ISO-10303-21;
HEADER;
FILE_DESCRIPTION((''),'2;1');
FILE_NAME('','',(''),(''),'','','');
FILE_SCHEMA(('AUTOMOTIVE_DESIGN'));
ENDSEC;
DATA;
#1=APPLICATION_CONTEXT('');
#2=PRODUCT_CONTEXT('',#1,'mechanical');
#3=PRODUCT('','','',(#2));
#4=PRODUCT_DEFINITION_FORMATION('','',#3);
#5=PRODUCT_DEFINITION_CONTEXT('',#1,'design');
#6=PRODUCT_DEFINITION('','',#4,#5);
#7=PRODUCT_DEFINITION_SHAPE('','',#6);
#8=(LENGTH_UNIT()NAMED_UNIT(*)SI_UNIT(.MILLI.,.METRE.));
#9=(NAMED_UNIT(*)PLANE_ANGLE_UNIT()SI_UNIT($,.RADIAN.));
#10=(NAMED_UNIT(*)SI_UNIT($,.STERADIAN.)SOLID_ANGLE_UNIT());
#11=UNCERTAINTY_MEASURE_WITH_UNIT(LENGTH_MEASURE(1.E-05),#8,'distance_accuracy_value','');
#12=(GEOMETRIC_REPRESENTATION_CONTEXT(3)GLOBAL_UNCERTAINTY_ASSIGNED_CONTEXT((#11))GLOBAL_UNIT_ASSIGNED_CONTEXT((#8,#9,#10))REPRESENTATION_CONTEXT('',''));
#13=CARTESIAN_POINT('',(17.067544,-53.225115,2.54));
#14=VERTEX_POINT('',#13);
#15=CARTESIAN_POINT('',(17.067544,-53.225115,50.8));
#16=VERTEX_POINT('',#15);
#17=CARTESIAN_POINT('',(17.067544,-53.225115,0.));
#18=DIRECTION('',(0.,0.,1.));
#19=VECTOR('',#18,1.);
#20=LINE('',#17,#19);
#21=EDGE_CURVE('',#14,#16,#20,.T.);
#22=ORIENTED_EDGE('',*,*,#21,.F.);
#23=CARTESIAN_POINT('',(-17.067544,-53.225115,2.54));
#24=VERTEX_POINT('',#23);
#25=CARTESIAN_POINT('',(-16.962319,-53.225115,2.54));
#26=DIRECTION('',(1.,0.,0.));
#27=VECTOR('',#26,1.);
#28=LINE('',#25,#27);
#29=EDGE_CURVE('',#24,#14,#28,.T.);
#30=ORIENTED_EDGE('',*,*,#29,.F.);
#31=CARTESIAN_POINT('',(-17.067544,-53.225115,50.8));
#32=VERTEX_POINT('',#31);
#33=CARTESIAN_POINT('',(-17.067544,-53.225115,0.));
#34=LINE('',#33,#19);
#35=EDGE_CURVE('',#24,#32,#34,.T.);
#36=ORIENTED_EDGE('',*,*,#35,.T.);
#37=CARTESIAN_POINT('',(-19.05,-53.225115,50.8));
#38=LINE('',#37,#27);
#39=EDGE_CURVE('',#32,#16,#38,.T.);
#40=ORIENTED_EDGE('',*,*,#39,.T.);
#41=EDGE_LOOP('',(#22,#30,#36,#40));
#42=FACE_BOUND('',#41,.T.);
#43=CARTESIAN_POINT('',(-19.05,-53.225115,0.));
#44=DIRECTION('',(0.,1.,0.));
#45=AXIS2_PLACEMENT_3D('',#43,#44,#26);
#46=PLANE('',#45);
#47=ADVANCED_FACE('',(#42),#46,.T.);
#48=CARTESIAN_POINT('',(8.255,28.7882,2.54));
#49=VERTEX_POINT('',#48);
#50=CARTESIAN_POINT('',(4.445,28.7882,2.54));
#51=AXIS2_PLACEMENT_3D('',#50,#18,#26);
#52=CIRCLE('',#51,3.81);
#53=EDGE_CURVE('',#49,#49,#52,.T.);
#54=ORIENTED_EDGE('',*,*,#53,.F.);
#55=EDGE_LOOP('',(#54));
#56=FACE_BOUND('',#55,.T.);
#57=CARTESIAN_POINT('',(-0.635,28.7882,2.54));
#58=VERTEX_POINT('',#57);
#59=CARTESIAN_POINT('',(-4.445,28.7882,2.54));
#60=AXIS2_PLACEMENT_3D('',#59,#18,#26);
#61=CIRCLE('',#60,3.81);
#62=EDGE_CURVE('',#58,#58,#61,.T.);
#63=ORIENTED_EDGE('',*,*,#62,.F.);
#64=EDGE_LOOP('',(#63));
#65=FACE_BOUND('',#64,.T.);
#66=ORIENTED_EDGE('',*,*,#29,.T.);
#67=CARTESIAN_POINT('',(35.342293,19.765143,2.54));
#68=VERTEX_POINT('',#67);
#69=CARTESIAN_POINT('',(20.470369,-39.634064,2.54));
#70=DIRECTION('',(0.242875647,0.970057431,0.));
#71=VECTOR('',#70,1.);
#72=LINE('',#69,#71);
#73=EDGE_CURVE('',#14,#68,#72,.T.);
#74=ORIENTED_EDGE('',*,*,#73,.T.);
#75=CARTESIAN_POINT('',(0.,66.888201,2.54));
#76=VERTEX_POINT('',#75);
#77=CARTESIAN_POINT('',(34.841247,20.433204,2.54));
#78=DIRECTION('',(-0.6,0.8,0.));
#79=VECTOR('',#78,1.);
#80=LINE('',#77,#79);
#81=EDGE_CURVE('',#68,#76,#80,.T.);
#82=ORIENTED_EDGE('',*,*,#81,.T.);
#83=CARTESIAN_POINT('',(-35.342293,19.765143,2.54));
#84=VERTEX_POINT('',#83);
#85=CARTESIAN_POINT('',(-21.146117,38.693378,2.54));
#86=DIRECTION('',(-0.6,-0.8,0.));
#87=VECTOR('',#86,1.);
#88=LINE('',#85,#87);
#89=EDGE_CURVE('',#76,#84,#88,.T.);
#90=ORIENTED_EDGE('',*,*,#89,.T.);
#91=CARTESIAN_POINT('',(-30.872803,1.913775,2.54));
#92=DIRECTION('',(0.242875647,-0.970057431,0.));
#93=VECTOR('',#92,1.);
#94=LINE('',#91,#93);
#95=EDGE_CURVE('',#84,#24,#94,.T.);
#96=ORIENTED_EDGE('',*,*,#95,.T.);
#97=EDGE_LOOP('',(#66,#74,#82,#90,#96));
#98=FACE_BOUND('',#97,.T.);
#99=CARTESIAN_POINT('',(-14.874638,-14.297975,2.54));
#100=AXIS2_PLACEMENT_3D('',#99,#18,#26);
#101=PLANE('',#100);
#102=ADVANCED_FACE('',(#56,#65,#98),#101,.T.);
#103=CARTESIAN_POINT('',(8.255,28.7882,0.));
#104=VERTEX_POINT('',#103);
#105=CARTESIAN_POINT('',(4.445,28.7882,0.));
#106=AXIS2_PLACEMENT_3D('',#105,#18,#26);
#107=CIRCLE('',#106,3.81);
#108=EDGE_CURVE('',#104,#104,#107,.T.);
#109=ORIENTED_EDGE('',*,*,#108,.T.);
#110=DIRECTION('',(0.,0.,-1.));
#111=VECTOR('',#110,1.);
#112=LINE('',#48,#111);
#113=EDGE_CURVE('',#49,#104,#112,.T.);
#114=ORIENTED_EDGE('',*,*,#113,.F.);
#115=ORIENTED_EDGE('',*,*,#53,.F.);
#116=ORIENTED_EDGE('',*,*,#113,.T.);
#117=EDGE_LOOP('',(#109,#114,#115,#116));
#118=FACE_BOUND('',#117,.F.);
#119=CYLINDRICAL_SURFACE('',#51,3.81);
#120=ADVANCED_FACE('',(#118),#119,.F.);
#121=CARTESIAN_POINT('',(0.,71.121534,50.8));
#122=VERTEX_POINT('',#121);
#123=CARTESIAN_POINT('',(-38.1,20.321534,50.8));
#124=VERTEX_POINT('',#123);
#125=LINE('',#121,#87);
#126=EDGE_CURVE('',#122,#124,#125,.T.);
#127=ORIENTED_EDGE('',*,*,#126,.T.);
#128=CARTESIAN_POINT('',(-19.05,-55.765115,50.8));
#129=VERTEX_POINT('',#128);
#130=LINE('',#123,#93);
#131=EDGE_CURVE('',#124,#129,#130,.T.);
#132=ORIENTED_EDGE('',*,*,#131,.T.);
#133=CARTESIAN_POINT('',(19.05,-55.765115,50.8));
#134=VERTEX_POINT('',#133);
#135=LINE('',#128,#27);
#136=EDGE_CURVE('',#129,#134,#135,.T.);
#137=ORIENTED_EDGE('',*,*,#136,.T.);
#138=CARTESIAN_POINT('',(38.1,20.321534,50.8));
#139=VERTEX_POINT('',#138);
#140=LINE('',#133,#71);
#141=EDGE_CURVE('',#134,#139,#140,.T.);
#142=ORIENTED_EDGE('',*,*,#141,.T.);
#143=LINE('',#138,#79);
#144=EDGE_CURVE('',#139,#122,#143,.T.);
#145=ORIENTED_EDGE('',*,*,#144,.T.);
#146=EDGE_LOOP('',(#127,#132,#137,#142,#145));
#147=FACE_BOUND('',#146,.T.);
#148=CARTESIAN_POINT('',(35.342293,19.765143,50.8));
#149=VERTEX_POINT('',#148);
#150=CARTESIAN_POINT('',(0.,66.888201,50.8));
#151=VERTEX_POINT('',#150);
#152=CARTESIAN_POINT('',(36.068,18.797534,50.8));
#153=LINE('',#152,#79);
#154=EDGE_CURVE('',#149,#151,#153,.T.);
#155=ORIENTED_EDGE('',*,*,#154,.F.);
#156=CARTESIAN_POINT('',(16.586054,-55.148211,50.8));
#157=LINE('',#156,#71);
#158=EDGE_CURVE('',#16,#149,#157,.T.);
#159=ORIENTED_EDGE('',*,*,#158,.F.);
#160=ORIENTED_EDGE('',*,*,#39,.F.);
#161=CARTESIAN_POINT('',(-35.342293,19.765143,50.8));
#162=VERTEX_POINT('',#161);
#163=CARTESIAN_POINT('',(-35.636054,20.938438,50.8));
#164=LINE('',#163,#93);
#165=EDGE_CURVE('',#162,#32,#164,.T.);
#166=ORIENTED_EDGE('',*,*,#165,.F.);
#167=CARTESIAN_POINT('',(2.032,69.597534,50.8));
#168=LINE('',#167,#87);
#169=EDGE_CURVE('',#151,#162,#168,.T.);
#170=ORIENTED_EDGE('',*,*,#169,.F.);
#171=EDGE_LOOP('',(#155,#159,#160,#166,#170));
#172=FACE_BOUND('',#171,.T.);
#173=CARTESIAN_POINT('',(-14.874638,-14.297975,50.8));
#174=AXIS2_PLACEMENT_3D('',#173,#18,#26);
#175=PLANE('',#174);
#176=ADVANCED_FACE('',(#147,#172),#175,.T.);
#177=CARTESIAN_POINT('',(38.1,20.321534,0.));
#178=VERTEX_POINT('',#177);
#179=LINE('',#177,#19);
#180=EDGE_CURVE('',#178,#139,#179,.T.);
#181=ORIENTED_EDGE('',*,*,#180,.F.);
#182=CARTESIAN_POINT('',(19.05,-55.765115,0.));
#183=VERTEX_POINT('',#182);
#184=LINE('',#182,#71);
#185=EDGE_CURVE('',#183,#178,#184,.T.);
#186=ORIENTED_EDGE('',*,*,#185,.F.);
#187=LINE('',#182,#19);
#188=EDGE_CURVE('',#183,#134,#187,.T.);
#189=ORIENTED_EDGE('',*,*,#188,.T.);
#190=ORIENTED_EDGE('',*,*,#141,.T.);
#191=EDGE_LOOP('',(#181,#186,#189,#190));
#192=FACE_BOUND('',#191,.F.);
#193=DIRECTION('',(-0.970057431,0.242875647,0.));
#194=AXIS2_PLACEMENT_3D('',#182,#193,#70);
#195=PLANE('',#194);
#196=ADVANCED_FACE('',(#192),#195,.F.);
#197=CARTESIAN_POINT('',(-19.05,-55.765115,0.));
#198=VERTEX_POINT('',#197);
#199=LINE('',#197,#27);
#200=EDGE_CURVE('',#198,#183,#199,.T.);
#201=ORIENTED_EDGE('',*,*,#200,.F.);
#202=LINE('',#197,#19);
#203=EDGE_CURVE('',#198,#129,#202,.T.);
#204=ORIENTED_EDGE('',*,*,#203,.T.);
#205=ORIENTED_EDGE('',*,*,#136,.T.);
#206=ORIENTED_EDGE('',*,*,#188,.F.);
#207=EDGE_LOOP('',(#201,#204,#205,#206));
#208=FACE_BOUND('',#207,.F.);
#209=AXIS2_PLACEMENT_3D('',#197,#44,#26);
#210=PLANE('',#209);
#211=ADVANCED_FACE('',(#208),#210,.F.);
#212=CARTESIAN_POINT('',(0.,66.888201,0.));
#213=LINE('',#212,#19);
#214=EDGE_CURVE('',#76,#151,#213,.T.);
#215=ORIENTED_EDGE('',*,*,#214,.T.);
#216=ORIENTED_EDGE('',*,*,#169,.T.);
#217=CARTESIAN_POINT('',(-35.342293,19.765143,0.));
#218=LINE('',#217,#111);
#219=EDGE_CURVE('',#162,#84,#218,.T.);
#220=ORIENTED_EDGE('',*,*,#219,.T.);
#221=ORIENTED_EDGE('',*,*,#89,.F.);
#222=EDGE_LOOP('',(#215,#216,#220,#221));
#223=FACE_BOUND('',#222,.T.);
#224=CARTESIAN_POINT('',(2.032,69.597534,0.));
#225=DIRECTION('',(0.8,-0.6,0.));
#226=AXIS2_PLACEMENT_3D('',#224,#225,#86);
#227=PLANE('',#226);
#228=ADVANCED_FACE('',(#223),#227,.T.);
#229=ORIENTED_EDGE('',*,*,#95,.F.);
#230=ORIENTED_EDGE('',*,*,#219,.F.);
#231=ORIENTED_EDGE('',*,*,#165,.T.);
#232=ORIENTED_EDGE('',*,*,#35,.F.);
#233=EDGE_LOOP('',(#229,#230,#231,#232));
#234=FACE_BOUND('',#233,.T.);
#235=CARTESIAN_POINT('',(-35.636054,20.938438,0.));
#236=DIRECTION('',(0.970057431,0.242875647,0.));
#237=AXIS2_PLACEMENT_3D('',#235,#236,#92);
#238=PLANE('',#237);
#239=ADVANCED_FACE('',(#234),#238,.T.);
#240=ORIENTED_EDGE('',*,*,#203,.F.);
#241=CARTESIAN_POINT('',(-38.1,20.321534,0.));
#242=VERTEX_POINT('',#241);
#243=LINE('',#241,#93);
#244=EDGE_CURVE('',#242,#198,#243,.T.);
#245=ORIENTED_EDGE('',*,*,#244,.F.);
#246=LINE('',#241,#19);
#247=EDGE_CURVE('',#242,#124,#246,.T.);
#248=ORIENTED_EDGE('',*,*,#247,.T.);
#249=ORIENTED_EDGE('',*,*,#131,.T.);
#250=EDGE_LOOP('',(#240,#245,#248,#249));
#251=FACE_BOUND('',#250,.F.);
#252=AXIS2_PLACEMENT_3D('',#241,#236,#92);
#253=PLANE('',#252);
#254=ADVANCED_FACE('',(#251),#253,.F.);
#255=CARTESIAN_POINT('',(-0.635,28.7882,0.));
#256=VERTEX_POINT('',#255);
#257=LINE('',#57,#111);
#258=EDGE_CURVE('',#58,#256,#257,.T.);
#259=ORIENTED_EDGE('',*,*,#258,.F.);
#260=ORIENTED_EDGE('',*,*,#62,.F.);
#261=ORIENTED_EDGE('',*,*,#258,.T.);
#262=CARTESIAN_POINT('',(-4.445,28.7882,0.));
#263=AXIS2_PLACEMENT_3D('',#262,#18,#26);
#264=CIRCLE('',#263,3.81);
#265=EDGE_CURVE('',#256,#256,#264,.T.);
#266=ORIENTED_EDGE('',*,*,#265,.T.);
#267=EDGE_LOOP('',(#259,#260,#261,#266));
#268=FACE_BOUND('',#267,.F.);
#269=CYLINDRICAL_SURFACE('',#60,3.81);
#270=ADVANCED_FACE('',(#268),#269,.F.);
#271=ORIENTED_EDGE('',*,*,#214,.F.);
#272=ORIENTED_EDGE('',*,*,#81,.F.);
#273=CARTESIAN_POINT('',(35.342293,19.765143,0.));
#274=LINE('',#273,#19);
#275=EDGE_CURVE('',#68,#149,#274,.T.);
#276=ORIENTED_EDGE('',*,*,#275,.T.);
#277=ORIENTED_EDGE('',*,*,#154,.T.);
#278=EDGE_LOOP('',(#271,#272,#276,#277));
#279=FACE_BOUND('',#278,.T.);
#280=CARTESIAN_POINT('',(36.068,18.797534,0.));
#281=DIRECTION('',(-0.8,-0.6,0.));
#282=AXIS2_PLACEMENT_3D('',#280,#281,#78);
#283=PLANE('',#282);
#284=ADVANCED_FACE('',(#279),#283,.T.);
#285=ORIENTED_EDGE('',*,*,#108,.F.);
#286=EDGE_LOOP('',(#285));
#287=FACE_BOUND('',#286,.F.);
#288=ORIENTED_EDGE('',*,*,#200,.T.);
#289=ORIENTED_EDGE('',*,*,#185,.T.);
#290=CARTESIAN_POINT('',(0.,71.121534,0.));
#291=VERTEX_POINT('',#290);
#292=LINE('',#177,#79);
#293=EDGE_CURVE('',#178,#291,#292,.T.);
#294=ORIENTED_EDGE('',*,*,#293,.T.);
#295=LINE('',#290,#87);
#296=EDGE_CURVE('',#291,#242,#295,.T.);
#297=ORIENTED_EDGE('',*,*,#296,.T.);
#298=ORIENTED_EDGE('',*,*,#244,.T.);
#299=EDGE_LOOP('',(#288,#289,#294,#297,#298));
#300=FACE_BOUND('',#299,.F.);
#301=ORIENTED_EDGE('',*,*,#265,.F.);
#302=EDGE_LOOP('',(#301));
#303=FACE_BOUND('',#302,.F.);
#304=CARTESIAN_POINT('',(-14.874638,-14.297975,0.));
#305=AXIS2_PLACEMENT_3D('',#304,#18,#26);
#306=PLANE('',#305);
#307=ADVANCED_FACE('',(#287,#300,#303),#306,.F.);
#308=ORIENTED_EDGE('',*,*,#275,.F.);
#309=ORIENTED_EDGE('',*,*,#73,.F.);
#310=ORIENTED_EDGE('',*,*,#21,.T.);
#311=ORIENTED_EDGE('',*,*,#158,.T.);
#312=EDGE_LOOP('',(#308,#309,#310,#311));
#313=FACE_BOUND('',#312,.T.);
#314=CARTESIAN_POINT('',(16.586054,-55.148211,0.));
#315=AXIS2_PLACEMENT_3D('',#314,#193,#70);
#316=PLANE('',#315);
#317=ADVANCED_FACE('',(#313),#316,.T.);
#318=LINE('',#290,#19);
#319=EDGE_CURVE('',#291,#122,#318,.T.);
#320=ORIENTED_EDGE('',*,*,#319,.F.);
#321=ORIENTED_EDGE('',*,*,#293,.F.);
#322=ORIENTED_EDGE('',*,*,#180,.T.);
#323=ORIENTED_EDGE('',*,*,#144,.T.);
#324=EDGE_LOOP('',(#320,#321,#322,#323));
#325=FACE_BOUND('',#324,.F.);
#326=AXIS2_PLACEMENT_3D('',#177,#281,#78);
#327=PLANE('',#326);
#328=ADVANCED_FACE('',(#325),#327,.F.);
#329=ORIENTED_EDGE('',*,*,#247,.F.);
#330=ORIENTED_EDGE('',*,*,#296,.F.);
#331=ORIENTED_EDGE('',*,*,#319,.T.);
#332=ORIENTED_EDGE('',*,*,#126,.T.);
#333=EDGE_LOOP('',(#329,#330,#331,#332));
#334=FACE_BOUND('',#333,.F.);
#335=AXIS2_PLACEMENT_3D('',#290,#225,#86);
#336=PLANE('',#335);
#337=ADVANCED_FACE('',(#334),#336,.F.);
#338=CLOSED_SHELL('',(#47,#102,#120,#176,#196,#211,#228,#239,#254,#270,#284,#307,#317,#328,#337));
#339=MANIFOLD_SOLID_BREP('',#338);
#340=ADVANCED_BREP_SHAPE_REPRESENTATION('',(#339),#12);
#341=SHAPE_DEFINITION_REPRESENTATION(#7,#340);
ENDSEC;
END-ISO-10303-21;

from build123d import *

# Parameters (mm, degrees)
F1_DEPTH = 50.8
F2_T     = -2.54
F3_R     = 3.81
F4_DEPTH = 25.4


with BuildPart() as f1:
    # F0 (on Top) → F1 (new body)
    with BuildSketch(Plane.XY):
        Polygon((0, -55.765115), (0, 20.321534), (-38.1, 20.321534), (-19.05, -55.765115), align=None)
        Polygon((38.1, 20.321534), (0, 20.321534), (0, -55.765115), (19.05, -55.765115), align=None)
        Polygon((38.1, 20.321534), (0, 71.121534), (0, 20.321534), align=None)
        Polygon((0, 20.321534), (0, 71.121534), (-38.1, 20.321534), align=None)
    extrude(amount=F1_DEPTH)

    # F2
    f2_openings = [f1.faces().sort_by_distance(p)[0] for p in [
        (0, 2.136611, 50.8),
    ]]
    offset(amount=F2_T, openings=f2_openings)

    # F3 (on face) → F4 (cut)
    with BuildSketch(Plane.XY.offset(2.54)):
        with Locations((4.445, 28.7882)):
            Circle(F3_R)
        with Locations((-4.445, 28.7882)):
            Circle(F3_R)
    extrude(amount=-F4_DEPTH, mode=Mode.SUBTRACT)


solid = f1.part
